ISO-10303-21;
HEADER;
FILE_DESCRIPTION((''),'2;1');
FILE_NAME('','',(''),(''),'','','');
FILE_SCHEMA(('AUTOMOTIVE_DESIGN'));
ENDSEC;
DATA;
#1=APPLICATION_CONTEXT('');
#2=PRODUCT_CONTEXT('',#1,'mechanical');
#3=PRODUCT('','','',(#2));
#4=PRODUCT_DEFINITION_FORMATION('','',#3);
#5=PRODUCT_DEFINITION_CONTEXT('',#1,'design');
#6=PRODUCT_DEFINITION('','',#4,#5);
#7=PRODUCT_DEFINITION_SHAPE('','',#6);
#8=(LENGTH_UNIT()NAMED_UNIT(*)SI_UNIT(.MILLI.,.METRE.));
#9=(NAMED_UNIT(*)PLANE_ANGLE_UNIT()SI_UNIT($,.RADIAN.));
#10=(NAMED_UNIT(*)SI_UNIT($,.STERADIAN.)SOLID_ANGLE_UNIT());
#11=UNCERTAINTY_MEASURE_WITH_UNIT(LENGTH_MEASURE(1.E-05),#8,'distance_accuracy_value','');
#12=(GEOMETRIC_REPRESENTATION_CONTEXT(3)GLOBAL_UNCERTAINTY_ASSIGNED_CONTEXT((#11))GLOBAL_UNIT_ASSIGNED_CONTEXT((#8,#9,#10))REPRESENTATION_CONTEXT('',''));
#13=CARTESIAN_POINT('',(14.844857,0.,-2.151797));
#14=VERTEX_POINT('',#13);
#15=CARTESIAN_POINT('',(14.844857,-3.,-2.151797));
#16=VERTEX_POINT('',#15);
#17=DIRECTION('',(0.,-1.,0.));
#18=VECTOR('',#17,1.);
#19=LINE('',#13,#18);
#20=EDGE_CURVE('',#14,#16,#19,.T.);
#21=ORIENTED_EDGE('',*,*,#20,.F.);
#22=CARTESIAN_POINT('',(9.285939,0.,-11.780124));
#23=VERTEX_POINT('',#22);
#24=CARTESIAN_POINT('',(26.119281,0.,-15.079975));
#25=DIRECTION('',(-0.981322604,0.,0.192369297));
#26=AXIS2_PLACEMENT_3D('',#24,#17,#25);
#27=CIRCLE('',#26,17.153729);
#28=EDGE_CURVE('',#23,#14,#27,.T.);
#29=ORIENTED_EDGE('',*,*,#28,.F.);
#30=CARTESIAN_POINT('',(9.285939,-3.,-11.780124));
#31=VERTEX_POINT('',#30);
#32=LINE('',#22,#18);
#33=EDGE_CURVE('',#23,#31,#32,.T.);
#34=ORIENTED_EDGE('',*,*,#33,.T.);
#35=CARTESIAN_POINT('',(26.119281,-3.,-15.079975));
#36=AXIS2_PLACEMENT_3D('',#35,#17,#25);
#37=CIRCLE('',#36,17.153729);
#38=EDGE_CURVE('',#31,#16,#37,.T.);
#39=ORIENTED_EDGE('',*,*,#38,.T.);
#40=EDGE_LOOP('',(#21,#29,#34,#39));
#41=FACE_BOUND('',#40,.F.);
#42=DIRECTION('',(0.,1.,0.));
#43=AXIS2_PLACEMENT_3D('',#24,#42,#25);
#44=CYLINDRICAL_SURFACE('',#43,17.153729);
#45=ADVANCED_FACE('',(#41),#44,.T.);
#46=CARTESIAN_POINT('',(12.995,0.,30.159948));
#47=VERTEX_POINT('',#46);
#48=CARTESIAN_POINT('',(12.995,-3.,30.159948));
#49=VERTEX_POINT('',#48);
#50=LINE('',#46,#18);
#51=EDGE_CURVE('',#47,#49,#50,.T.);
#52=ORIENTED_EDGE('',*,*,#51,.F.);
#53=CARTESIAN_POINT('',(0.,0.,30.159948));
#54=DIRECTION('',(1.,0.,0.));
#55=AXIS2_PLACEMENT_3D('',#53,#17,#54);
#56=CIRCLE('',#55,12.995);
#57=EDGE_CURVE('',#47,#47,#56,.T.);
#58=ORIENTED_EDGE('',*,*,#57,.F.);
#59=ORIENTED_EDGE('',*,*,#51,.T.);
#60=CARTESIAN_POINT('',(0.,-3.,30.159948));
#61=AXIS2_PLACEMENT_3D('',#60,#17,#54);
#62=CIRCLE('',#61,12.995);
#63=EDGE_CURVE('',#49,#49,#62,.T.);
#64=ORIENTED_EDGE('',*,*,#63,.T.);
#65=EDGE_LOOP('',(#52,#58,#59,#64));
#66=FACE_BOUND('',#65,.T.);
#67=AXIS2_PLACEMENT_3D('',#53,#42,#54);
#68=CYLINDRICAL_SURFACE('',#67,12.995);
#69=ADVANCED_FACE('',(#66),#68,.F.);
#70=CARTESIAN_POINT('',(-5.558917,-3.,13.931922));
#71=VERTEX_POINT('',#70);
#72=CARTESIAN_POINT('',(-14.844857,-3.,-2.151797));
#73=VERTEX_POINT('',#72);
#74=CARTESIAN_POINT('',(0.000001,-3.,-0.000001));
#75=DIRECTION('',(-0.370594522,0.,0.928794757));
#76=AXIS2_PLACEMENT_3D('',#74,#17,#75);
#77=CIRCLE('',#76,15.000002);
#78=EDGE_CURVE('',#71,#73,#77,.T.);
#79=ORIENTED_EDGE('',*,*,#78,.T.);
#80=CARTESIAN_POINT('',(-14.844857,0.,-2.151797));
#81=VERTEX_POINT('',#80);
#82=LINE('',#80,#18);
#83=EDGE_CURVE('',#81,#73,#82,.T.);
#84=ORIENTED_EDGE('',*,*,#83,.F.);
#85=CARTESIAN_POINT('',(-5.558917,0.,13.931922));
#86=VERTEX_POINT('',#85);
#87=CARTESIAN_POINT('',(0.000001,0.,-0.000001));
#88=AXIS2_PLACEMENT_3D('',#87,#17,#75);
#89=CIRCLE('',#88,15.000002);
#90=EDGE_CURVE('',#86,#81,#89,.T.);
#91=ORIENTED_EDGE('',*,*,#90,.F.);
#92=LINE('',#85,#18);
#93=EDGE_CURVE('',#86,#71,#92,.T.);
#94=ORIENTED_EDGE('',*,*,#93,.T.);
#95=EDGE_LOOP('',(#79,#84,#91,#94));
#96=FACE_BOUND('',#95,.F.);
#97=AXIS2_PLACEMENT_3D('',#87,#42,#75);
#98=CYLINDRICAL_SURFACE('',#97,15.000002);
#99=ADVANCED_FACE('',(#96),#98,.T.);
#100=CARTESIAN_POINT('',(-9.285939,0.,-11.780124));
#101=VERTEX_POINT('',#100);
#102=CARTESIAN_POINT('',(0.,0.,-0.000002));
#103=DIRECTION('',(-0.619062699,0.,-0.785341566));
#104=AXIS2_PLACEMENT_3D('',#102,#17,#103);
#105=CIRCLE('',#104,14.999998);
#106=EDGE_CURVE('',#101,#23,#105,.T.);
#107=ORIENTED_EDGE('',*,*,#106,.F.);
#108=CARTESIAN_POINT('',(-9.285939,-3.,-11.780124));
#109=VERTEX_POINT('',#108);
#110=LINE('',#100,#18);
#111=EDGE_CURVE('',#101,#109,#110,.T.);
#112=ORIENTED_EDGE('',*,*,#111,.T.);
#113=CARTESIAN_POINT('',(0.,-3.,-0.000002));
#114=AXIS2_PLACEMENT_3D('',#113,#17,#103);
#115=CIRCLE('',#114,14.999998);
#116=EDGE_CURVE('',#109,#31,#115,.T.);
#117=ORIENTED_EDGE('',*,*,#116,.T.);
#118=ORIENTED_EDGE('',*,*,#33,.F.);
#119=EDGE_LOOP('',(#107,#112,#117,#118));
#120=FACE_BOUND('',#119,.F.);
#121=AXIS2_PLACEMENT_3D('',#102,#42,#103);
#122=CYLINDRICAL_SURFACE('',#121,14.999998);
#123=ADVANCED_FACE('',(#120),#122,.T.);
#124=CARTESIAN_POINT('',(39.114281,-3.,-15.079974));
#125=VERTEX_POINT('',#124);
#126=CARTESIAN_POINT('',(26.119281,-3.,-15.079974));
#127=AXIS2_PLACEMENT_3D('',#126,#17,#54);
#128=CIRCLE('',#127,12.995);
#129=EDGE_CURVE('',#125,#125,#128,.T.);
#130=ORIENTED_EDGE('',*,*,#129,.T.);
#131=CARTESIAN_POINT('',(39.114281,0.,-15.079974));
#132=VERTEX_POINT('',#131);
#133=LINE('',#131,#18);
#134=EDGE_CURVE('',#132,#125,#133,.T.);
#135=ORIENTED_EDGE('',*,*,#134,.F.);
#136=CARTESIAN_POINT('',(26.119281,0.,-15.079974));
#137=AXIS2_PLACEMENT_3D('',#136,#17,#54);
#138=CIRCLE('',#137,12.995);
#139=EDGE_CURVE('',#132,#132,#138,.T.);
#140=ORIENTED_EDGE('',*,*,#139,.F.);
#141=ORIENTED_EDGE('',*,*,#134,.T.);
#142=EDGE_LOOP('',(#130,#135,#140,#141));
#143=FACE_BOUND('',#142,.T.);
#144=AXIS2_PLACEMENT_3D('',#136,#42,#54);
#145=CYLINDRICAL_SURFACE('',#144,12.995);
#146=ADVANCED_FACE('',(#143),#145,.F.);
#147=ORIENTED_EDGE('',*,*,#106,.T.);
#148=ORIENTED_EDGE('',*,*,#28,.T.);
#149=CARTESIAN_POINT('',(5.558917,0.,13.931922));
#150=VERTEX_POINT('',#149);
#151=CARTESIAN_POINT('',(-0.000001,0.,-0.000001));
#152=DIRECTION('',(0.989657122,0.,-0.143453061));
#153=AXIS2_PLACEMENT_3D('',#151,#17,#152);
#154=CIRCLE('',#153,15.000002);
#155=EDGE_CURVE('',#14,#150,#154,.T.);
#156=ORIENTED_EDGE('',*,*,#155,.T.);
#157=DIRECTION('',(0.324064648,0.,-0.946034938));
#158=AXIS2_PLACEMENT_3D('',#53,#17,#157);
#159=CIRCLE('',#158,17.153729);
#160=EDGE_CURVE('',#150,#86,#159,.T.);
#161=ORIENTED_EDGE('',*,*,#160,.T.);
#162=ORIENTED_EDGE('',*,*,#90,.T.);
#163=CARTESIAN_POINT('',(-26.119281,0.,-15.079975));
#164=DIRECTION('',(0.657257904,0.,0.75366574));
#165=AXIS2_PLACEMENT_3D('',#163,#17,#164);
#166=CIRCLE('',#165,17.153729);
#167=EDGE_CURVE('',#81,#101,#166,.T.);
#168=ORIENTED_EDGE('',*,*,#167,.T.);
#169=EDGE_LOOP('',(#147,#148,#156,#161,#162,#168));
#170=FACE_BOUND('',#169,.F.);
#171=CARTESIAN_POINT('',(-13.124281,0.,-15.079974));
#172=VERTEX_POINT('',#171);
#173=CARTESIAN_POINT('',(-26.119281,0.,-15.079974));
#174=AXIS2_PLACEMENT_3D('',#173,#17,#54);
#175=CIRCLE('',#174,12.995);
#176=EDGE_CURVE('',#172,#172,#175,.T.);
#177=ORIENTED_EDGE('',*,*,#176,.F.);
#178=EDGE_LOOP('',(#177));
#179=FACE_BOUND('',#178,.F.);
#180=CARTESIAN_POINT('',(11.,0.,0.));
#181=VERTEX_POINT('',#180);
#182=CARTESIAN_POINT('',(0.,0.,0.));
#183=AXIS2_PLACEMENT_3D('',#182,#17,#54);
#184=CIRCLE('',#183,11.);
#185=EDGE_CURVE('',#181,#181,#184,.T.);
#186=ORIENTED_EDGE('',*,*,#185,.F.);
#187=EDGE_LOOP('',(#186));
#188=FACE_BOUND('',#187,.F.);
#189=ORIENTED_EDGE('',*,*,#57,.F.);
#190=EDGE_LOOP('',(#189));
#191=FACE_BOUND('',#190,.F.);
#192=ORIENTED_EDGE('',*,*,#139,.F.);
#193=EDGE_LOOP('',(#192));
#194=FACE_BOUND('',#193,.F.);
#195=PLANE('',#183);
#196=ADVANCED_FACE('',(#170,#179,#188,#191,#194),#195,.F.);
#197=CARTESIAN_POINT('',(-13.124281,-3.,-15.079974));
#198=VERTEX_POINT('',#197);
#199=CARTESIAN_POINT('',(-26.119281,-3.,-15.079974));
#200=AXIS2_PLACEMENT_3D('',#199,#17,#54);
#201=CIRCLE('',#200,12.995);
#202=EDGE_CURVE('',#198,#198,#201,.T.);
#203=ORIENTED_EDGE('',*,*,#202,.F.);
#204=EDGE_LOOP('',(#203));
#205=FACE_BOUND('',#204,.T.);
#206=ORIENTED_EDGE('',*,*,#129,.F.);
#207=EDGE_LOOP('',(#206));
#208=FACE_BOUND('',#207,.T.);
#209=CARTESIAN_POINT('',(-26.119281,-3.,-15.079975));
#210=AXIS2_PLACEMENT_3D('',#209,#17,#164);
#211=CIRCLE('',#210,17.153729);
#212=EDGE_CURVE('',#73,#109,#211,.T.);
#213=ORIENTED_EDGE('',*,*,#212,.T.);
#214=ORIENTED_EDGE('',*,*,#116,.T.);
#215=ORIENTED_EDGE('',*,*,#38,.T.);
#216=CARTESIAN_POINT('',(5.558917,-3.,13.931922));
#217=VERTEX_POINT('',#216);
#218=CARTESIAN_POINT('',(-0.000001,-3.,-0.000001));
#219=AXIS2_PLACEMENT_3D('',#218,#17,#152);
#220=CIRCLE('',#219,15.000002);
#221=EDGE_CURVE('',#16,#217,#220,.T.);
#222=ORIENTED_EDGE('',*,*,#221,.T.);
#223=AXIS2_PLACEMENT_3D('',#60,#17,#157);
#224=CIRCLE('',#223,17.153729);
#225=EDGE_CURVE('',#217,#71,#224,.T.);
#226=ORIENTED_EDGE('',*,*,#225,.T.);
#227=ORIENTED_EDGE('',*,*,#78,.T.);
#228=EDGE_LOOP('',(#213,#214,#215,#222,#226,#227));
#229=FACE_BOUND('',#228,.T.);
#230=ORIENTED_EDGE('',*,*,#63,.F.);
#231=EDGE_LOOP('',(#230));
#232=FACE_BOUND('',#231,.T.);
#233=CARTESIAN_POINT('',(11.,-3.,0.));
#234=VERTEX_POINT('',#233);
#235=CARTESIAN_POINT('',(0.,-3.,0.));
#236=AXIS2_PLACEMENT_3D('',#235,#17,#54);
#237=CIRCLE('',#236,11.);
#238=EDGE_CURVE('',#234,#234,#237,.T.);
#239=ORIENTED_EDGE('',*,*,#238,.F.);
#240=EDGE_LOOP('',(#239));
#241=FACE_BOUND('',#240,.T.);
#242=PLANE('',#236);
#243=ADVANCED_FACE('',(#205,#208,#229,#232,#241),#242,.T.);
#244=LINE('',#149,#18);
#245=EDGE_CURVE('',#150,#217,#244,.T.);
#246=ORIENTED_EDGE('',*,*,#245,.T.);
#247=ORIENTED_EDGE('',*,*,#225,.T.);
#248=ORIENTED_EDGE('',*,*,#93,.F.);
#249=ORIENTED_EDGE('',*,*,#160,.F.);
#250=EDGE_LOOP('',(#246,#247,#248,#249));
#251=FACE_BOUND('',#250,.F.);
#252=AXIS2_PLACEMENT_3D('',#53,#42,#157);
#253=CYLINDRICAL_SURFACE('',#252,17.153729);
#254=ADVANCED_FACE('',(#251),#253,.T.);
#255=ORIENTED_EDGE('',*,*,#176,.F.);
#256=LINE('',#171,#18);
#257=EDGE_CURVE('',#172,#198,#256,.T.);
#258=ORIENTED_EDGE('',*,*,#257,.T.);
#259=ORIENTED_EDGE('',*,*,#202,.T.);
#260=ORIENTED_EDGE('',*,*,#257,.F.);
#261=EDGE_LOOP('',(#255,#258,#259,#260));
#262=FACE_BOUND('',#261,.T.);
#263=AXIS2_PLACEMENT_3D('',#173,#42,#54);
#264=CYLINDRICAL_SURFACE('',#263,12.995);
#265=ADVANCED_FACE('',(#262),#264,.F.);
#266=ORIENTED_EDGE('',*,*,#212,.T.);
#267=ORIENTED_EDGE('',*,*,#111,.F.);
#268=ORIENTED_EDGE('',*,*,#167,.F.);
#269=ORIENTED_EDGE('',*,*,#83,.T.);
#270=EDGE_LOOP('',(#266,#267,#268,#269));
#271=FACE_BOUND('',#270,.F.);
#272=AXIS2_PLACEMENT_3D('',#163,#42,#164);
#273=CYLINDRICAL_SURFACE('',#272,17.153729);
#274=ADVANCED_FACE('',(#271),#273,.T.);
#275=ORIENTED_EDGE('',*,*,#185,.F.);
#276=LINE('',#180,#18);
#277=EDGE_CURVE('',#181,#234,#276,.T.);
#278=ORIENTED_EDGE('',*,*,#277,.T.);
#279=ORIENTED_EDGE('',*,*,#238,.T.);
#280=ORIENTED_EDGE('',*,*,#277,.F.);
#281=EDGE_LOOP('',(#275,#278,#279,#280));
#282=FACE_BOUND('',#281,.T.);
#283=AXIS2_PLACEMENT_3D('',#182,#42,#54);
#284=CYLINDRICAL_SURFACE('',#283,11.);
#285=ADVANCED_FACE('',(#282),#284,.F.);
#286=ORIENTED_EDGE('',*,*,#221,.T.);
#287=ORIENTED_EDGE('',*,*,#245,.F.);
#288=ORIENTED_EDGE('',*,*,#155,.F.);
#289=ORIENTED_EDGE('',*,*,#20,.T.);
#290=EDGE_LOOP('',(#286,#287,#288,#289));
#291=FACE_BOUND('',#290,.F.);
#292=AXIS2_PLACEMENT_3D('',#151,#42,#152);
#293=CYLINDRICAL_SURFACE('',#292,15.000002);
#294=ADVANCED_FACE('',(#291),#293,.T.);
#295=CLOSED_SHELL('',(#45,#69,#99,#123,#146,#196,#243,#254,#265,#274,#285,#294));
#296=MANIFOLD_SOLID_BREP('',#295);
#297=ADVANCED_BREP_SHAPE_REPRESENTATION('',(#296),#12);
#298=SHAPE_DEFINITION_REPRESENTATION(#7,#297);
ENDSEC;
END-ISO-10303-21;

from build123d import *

# Parameters (mm, degrees)
F0_R     = 12.995
F0_R_2   = 11
F1_DEPTH = 3


with BuildPart() as f1:
    # F0 (on Front) → F1 (new body)
    with BuildSketch(Plane.XZ):
        with BuildLine():
            ThreePointArc((5.558917, 13.931922), (0, 47.313677), (-5.558917, 13.931922))
            ThreePointArc((-5.558917, 13.931922), (-12.990381, 7.5), (-14.844857, -2.151797))
            ThreePointArc((-14.844857, -2.151797), (-40.974846, -23.656839), (-9.285939, -11.780124))
            ThreePointArc((-9.285939, -11.780124), (0, -15), (9.285939, -11.780124))
            ThreePointArc((9.285939, -11.780124), (40.974846, -23.656839), (14.844857, -2.151797))
            ThreePointArc((14.844857, -2.151797), (12.990381, 7.5), (5.558917, 13.931922))
        make_face()
        with Locations((-26.119281, -15.079974)):
            Circle(F0_R, mode=Mode.SUBTRACT)
        with Locations((26.119281, -15.079974)):
            Circle(F0_R, mode=Mode.SUBTRACT)
        Circle(F0_R_2, mode=Mode.SUBTRACT)
        with Locations((0, 30.159948)):
            Circle(F0_R, mode=Mode.SUBTRACT)
    extrude(amount=F1_DEPTH)


solid = f1.part
